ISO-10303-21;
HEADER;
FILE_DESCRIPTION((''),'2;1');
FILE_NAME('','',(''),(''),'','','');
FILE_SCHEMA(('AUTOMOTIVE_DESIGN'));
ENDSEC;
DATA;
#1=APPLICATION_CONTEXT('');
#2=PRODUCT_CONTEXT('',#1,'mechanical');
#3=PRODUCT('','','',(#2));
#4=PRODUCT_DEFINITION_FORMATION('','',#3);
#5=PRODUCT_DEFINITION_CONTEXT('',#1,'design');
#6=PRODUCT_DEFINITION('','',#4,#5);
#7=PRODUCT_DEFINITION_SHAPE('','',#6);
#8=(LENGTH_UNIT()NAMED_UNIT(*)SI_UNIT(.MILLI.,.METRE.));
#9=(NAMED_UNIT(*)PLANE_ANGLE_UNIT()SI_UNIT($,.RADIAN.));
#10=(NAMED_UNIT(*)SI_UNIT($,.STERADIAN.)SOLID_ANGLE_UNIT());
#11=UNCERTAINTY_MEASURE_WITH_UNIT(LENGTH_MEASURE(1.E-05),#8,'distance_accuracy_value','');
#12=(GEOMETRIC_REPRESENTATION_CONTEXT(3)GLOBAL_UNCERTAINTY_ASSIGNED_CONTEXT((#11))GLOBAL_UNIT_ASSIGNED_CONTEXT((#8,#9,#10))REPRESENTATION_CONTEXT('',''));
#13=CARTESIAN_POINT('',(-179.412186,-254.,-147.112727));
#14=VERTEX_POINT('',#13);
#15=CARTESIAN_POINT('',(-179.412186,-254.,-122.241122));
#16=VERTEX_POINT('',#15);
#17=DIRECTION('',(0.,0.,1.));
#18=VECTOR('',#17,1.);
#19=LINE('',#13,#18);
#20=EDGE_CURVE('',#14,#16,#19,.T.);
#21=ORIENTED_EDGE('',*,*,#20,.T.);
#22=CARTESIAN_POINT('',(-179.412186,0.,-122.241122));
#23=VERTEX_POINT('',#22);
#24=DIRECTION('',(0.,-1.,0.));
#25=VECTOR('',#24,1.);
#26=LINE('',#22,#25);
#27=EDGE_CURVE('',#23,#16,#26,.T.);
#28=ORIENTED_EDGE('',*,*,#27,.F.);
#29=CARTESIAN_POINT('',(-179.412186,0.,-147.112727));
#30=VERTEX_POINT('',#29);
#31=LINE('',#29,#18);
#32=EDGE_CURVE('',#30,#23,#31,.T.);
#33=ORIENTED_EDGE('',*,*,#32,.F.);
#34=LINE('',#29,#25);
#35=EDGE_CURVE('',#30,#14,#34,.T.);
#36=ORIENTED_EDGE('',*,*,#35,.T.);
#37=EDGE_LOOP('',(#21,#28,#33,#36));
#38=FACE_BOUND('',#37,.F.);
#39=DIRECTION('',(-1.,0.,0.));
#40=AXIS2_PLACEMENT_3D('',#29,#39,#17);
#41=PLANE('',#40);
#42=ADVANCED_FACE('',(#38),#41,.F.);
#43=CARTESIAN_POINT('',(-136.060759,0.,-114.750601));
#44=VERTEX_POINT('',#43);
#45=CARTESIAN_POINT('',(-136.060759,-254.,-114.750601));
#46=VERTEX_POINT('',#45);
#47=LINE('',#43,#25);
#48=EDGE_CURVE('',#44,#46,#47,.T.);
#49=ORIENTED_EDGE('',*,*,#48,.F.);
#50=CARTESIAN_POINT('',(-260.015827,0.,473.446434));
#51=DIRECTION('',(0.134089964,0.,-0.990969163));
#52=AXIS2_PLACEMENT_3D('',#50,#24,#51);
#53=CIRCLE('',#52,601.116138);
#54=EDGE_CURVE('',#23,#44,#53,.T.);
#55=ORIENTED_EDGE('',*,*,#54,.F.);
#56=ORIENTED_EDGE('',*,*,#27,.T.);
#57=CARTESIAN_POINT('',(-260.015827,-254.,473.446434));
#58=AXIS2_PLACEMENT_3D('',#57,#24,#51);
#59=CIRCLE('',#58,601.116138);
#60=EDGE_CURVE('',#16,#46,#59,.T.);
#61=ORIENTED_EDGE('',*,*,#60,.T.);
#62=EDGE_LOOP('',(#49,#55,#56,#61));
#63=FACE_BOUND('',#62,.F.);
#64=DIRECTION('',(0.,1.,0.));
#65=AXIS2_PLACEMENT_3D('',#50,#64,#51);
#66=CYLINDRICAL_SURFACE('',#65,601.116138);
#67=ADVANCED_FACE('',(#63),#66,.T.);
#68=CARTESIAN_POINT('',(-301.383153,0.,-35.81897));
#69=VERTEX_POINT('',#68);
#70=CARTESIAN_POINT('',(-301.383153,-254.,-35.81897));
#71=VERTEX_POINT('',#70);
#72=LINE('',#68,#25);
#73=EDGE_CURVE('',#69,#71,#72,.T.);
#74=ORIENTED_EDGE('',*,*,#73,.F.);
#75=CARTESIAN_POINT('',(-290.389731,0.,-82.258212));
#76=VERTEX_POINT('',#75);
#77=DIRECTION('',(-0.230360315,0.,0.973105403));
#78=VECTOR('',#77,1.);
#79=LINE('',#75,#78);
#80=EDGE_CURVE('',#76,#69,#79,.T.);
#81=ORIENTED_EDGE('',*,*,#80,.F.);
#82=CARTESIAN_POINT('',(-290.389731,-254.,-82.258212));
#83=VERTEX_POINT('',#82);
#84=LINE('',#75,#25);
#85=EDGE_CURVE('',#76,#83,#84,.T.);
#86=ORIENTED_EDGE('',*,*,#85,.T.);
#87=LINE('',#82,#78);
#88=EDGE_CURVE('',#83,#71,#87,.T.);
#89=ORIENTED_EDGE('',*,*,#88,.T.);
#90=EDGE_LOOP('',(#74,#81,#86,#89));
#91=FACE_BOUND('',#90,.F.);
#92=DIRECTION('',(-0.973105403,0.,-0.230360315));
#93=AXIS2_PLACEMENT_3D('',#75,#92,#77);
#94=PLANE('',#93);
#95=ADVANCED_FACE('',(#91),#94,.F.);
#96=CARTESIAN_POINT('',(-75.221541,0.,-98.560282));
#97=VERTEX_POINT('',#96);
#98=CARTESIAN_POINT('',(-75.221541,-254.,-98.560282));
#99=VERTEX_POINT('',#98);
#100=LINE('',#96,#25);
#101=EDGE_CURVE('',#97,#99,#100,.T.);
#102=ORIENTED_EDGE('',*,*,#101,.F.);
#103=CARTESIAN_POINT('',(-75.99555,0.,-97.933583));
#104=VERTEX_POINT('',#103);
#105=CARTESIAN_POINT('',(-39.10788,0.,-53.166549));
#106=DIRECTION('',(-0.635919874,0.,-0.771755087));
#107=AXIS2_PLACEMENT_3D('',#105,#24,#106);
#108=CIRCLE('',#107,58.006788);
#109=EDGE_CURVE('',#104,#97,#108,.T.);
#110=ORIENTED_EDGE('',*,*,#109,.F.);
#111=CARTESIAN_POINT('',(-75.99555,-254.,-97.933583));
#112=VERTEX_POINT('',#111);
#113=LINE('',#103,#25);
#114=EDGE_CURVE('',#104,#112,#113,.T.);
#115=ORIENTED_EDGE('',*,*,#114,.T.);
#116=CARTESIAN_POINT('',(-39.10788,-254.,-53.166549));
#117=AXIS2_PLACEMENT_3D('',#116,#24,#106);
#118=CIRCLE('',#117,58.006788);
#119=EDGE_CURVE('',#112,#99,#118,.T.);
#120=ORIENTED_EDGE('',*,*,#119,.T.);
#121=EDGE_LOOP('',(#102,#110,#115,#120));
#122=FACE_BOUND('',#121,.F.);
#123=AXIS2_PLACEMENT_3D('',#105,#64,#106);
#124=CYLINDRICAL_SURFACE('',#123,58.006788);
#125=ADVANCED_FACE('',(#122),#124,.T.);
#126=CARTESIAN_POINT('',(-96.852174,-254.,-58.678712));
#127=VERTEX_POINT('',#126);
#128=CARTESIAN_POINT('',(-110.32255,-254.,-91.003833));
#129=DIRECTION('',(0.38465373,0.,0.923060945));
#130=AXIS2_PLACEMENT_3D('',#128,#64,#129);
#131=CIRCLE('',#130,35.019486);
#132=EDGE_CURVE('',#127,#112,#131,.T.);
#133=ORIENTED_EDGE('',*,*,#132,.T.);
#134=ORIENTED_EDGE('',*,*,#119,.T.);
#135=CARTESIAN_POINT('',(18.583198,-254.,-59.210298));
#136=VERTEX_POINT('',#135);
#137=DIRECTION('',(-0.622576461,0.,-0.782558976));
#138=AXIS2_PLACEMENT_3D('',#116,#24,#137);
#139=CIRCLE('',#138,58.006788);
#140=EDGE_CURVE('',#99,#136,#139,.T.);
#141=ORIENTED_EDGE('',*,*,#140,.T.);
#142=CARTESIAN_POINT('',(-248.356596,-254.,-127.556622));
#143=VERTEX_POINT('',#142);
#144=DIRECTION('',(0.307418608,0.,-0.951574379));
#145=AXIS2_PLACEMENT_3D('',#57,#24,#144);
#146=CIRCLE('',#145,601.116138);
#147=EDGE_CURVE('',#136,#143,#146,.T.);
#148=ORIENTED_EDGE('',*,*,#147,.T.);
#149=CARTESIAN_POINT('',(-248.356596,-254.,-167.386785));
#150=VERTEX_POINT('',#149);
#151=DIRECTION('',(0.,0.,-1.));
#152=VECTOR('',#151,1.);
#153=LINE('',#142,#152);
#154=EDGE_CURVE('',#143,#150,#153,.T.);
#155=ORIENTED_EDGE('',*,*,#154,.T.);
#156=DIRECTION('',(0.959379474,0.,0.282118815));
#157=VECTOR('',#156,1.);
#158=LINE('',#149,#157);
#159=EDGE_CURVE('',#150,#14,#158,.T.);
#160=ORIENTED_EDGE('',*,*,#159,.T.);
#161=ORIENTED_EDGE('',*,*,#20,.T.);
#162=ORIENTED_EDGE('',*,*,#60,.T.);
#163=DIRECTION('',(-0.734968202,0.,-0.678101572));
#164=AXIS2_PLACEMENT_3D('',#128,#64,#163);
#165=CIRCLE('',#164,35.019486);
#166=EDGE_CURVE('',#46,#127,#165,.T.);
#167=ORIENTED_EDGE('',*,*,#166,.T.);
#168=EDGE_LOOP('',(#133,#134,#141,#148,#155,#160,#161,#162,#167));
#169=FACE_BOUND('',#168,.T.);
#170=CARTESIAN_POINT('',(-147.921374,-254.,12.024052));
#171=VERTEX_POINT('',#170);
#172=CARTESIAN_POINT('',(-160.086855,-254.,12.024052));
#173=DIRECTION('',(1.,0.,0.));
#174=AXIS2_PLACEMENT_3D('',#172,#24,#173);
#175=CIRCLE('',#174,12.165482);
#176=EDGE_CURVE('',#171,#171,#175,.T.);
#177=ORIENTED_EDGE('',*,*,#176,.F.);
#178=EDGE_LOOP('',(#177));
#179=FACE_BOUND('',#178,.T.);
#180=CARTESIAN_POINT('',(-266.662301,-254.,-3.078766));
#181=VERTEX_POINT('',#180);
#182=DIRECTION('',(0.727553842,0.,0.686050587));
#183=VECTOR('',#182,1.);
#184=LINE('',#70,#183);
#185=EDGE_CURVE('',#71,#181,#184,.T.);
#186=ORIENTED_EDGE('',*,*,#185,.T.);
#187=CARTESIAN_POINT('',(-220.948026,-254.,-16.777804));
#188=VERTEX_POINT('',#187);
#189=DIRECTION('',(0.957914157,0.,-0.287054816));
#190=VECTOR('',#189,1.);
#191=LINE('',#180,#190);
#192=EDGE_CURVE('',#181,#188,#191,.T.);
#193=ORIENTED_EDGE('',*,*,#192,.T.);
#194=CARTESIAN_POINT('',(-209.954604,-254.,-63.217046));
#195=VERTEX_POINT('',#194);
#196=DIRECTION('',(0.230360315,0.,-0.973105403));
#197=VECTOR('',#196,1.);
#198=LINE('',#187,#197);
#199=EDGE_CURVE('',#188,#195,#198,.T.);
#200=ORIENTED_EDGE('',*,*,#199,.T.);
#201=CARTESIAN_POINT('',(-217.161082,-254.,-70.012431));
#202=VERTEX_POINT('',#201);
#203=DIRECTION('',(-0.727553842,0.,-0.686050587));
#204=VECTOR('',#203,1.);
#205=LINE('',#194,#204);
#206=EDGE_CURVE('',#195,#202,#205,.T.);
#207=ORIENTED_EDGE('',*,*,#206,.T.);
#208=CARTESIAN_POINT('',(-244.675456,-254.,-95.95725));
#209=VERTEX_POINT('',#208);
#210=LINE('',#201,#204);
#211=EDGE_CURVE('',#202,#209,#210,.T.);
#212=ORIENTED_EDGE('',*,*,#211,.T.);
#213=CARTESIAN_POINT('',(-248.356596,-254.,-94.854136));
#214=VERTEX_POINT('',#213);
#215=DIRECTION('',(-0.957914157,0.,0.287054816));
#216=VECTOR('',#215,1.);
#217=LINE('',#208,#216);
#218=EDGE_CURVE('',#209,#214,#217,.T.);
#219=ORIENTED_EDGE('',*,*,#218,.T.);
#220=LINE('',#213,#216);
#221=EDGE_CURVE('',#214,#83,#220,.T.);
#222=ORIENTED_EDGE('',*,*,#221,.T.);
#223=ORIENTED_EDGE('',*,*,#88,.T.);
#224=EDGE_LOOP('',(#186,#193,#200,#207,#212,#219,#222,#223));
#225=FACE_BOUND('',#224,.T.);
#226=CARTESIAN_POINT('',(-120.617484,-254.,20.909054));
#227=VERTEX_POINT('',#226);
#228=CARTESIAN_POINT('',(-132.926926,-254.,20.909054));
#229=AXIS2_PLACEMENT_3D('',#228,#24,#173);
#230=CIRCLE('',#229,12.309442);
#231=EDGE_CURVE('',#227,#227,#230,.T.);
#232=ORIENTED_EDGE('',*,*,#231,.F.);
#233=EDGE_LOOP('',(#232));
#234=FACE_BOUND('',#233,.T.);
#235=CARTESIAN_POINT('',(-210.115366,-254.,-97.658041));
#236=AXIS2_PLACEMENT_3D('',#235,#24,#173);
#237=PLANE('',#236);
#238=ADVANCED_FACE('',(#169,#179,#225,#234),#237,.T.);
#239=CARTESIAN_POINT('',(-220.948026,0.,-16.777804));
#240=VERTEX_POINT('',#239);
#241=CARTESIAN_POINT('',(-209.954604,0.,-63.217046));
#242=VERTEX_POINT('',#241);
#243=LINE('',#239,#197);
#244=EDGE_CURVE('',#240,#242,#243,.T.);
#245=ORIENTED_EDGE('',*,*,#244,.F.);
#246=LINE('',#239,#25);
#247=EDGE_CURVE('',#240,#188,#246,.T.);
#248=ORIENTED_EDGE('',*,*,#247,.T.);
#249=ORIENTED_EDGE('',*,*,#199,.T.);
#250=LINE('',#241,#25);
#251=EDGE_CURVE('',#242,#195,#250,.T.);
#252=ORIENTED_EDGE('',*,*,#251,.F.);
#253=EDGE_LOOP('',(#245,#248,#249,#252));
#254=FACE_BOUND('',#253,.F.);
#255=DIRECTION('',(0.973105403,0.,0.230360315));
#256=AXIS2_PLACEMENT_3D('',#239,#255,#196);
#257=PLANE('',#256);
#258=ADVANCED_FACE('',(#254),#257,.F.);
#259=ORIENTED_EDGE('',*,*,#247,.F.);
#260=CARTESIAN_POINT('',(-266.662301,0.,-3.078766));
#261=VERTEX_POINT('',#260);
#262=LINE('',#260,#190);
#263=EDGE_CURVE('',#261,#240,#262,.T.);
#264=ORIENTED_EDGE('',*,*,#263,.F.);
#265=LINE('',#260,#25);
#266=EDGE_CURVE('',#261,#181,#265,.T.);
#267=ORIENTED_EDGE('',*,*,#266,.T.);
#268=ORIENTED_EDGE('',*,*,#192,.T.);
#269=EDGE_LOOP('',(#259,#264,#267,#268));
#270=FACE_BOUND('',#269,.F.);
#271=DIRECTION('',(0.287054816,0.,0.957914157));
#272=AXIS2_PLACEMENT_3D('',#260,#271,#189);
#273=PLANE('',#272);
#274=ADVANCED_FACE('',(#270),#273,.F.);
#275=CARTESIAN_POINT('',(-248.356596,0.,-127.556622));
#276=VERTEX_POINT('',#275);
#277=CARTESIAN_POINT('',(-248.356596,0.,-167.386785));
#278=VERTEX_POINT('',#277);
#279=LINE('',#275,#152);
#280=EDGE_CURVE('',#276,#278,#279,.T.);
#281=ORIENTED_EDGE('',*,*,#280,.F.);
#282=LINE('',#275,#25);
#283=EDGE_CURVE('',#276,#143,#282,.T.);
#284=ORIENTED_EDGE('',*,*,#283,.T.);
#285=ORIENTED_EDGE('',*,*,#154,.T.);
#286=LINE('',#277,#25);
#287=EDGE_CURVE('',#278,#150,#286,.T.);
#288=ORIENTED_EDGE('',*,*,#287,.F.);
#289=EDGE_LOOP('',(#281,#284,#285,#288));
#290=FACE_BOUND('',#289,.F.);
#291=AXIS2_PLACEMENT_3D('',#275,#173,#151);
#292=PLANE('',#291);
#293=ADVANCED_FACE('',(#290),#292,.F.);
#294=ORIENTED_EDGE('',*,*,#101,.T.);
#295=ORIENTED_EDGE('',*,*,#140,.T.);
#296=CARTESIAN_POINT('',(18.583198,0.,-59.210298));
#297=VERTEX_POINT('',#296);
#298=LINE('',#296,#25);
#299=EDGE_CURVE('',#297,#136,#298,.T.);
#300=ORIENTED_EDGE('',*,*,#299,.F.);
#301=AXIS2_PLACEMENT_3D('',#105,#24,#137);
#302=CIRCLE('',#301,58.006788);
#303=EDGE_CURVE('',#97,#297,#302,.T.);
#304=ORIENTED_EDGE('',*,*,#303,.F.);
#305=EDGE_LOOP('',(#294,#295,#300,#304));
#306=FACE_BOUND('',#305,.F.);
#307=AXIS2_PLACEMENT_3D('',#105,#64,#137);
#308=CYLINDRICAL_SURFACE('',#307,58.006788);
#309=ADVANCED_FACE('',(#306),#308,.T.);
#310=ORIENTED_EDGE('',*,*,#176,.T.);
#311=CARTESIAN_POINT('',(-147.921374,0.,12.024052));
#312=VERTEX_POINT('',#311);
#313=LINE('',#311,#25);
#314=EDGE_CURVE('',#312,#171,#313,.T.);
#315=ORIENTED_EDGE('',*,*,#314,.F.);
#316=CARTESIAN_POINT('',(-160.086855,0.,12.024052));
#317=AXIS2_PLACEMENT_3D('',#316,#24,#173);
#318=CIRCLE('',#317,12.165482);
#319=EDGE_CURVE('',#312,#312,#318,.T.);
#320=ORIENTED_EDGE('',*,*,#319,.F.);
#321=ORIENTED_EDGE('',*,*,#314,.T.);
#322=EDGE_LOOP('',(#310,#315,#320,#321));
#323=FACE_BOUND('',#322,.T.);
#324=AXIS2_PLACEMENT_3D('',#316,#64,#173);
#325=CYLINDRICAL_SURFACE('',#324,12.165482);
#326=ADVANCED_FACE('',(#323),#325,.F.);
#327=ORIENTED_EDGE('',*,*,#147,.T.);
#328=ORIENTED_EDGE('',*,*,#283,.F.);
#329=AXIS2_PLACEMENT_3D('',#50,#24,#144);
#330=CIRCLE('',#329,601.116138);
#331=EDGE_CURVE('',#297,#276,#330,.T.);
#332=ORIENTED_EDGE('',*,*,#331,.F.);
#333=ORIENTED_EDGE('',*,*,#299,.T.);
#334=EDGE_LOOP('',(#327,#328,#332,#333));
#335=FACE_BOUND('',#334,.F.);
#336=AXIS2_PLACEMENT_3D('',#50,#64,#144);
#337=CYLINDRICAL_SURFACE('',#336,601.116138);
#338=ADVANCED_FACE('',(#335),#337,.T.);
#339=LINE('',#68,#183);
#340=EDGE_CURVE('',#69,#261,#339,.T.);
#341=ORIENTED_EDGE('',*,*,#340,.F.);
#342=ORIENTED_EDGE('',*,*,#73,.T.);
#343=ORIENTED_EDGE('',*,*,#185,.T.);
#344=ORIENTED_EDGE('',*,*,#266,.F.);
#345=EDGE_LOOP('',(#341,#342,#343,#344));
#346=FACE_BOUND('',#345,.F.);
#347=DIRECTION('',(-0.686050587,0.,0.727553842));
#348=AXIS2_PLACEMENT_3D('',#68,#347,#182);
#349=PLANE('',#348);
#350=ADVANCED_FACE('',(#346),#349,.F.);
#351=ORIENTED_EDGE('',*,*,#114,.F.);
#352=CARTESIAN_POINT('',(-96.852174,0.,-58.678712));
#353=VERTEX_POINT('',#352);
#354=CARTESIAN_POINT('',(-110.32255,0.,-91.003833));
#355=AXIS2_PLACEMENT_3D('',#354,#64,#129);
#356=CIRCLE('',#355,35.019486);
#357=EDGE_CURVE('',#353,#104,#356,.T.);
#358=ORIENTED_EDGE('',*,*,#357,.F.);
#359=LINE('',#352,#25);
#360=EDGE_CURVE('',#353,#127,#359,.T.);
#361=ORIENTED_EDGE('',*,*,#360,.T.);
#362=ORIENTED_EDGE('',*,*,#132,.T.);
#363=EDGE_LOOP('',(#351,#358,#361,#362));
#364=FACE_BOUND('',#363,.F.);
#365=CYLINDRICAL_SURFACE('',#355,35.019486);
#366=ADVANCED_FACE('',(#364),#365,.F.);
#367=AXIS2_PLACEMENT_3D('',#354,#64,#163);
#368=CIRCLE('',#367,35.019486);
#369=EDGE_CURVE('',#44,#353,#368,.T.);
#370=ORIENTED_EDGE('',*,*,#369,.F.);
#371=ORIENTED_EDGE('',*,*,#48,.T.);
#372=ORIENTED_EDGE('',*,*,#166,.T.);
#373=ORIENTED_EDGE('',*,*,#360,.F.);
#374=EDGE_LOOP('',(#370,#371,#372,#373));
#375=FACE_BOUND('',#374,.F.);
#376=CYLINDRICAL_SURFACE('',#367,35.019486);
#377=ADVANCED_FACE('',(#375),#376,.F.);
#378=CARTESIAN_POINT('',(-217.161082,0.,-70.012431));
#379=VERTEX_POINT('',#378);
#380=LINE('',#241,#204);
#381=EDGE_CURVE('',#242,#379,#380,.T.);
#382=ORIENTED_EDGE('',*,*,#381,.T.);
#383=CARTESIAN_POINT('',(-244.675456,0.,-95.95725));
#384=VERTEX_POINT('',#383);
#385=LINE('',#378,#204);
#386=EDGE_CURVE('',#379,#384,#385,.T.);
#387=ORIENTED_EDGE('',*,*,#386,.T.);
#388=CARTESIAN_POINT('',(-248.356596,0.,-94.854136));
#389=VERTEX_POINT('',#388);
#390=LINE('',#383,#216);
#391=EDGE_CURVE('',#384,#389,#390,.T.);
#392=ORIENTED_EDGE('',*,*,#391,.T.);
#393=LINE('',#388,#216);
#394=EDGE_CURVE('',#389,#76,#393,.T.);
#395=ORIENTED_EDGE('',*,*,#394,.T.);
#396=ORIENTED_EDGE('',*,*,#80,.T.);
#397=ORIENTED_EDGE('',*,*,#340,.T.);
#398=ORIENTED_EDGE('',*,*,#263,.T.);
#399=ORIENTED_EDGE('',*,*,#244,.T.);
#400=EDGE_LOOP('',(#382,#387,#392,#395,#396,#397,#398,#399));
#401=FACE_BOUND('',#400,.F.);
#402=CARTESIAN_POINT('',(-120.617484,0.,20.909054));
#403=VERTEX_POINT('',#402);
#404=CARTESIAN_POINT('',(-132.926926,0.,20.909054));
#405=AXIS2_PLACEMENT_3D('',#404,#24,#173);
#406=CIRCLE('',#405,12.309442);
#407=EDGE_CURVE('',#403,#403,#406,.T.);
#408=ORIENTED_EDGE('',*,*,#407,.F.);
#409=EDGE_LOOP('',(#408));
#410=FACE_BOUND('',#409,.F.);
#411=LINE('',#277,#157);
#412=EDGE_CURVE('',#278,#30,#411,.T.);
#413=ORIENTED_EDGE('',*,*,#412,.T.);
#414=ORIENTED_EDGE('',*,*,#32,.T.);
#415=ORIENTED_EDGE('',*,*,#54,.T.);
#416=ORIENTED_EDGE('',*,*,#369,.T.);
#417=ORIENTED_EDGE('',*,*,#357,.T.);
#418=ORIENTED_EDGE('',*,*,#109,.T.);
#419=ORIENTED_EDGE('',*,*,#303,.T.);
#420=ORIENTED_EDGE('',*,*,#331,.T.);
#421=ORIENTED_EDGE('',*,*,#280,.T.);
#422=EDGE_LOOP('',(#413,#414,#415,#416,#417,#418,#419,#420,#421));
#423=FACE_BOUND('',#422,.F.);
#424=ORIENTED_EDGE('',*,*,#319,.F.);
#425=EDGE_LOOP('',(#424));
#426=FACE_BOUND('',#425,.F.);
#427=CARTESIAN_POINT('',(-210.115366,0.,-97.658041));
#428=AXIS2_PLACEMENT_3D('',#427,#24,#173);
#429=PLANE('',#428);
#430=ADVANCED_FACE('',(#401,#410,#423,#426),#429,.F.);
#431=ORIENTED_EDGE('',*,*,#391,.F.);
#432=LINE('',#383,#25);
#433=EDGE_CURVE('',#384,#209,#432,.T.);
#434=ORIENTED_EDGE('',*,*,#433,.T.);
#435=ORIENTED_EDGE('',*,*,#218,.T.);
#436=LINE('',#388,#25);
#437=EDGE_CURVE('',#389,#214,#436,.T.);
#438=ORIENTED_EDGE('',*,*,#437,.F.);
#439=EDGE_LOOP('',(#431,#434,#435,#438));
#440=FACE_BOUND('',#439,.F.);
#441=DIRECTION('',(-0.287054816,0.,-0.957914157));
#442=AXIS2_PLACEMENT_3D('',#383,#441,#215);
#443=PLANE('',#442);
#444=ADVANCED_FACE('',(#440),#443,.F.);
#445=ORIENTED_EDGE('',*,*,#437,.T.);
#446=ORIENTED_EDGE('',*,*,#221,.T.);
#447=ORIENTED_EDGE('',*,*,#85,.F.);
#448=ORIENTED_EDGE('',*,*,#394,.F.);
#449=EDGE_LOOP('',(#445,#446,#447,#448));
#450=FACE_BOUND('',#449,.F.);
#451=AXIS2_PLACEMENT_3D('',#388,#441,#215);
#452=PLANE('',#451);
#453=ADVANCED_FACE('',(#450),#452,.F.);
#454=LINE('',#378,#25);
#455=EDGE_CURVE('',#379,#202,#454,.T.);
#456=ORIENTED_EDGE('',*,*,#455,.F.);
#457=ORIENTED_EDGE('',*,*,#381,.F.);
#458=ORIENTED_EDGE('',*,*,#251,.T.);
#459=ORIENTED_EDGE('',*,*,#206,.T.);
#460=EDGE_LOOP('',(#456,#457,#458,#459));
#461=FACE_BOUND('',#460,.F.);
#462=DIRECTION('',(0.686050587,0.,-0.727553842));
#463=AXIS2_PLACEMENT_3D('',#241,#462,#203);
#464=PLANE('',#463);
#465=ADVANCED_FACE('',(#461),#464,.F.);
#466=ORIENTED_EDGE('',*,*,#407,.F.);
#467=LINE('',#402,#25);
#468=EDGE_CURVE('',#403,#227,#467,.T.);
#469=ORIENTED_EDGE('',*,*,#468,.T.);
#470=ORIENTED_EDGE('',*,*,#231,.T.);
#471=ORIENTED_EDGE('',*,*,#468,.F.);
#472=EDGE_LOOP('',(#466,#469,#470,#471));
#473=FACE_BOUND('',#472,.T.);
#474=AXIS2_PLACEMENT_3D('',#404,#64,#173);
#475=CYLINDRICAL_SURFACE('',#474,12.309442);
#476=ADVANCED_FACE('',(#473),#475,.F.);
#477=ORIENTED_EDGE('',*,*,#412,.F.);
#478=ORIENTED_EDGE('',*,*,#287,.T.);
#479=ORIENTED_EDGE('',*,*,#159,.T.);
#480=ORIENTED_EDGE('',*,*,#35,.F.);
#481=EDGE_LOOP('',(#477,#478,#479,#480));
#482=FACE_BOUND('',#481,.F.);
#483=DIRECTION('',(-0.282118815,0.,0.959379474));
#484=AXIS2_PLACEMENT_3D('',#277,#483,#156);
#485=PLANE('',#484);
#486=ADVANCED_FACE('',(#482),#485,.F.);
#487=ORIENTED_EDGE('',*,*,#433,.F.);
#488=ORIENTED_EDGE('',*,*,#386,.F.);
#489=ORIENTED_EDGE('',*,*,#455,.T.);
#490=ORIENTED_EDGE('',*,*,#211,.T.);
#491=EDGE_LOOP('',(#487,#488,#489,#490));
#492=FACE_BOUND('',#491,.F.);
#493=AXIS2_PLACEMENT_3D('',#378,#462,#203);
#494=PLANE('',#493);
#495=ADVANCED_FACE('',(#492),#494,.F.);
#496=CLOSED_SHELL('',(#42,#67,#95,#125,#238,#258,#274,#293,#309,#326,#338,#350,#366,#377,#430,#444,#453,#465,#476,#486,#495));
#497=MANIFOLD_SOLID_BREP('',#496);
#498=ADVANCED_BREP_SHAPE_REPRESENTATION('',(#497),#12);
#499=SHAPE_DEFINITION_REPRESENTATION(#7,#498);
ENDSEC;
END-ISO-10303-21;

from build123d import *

# Parameters (mm, degrees)
F0_R     = 12.1654817783
F0_R_2   = 12.3094418461
F1_DEPTH = 254


with BuildPart() as f1:
    # F0 (on Front) → F1 (new body)
    with BuildSketch(Plane.XZ):
        with BuildLine():
            Line((-244.6754564072, -95.9572500223), (-248.3565956354, -94.854135785))
            Line((-248.3565956354, -94.854135785), (-248.3565956354, -127.5566222325))
            ThreePointArc((-248.3565956354, -127.5566222325), (-213.8078944202, -125.8910654203), (-179.4121861458, -122.2411219335))
            Line((-179.4121861458, -122.2411219335), (-179.4121861458, -58.1807047129))
            Line((-179.4121861458, -58.1807047129), (-217.1610821121, -70.0124311765))
            Line((-217.1610821121, -70.0124311765), (-244.6754564072, -95.9572500223))
        make_face()
        with BuildLine():
            Line((-248.3565956354, -127.5566222325), (-248.3565956354, -94.854135785))
            Line((-248.3565956354, -94.854135785), (-290.3897309912, -82.2582117584))
            Line((-290.3897309912, -82.2582117584), (-301.3831531393, -35.8189695212))
            Line((-301.3831531393, -35.8189695212), (-266.6623007034, -3.0787655479))
            Line((-266.6623007034, -3.0787655479), (-220.9480261194, -16.7778038117))
            Line((-220.9480261194, -16.7778038117), (-209.9546039713, -63.2170460489))
            Line((-209.9546039713, -63.2170460489), (-217.1610821121, -70.0124311765))
            Line((-217.1610821121, -70.0124311765), (-179.4121861458, -58.1807047129))
            Line((-179.4121861458, -58.1807047129), (-179.4121861458, -122.2411219335))
            ThreePointArc((-179.4121861458, -122.2411219335), (-157.6679238797, -118.8925887902), (-136.0607594252, -114.7506013513))
            ThreePointArc((-136.0607594252, -114.7506013513), (-139.0216639455, -70.9358153589), (-96.8521743572, -58.6787123162))
            ThreePointArc((-96.8521743572, -58.6787123162), (-38.8407590079, 4.8396231382), (18.5831978775, -59.210298215))
            ThreePointArc((18.5831978775, -59.210298215), (-409.1140131264, 1055.7782487651), (-248.3565956354, -127.5566222325))
        make_face()
        with Locations((-160.0868552923, 12.0240524411)):
            Circle(F0_R, mode=Mode.SUBTRACT)
        with Locations((-132.9269260168, 20.9090542048)):
            Circle(F0_R_2, mode=Mode.SUBTRACT)
        with BuildLine():
            ThreePointArc((-179.4121861458, -122.2411219335), (-213.8078944202, -125.8910654203), (-248.3565956354, -127.5566222325))
            Line((-248.3565956354, -127.5566222325), (-248.3565956354, -167.3867851496))
            Line((-248.3565956354, -167.3867851496), (-179.4121861458, -147.1127271652))
            Line((-179.4121861458, -147.1127271652), (-179.4121861458, -122.2411219335))
        make_face()
        with BuildLine():
            ThreePointArc((-75.2215410202, -98.5602818592), (-27.4853011776, -80.873117917), (18.5831978775, -59.210298215))
            ThreePointArc((18.5831978775, -59.210298215), (-38.8407590079, 4.8396231382), (-96.8521743572, -58.6787123162))
            ThreePointArc((-96.8521743572, -58.6787123162), (-79.3970992955, -74.572736982), (-75.9955495596, -97.9335829616))
            ThreePointArc((-75.9955495596, -97.9335829616), (-75.60989028, -98.2485935492), (-75.2215410202, -98.5602818592))
        make_face()
        with BuildLine():
            ThreePointArc((-75.2215410202, -98.5602818592), (-16.6690404085, -106.6575382222), (18.5831978775, -59.210298215))
            ThreePointArc((18.5831978775, -59.210298215), (-27.4853011776, -80.873117917), (-75.2215410202, -98.5602818592))
        make_face()
    extrude(amount=F1_DEPTH)


solid = f1.part
